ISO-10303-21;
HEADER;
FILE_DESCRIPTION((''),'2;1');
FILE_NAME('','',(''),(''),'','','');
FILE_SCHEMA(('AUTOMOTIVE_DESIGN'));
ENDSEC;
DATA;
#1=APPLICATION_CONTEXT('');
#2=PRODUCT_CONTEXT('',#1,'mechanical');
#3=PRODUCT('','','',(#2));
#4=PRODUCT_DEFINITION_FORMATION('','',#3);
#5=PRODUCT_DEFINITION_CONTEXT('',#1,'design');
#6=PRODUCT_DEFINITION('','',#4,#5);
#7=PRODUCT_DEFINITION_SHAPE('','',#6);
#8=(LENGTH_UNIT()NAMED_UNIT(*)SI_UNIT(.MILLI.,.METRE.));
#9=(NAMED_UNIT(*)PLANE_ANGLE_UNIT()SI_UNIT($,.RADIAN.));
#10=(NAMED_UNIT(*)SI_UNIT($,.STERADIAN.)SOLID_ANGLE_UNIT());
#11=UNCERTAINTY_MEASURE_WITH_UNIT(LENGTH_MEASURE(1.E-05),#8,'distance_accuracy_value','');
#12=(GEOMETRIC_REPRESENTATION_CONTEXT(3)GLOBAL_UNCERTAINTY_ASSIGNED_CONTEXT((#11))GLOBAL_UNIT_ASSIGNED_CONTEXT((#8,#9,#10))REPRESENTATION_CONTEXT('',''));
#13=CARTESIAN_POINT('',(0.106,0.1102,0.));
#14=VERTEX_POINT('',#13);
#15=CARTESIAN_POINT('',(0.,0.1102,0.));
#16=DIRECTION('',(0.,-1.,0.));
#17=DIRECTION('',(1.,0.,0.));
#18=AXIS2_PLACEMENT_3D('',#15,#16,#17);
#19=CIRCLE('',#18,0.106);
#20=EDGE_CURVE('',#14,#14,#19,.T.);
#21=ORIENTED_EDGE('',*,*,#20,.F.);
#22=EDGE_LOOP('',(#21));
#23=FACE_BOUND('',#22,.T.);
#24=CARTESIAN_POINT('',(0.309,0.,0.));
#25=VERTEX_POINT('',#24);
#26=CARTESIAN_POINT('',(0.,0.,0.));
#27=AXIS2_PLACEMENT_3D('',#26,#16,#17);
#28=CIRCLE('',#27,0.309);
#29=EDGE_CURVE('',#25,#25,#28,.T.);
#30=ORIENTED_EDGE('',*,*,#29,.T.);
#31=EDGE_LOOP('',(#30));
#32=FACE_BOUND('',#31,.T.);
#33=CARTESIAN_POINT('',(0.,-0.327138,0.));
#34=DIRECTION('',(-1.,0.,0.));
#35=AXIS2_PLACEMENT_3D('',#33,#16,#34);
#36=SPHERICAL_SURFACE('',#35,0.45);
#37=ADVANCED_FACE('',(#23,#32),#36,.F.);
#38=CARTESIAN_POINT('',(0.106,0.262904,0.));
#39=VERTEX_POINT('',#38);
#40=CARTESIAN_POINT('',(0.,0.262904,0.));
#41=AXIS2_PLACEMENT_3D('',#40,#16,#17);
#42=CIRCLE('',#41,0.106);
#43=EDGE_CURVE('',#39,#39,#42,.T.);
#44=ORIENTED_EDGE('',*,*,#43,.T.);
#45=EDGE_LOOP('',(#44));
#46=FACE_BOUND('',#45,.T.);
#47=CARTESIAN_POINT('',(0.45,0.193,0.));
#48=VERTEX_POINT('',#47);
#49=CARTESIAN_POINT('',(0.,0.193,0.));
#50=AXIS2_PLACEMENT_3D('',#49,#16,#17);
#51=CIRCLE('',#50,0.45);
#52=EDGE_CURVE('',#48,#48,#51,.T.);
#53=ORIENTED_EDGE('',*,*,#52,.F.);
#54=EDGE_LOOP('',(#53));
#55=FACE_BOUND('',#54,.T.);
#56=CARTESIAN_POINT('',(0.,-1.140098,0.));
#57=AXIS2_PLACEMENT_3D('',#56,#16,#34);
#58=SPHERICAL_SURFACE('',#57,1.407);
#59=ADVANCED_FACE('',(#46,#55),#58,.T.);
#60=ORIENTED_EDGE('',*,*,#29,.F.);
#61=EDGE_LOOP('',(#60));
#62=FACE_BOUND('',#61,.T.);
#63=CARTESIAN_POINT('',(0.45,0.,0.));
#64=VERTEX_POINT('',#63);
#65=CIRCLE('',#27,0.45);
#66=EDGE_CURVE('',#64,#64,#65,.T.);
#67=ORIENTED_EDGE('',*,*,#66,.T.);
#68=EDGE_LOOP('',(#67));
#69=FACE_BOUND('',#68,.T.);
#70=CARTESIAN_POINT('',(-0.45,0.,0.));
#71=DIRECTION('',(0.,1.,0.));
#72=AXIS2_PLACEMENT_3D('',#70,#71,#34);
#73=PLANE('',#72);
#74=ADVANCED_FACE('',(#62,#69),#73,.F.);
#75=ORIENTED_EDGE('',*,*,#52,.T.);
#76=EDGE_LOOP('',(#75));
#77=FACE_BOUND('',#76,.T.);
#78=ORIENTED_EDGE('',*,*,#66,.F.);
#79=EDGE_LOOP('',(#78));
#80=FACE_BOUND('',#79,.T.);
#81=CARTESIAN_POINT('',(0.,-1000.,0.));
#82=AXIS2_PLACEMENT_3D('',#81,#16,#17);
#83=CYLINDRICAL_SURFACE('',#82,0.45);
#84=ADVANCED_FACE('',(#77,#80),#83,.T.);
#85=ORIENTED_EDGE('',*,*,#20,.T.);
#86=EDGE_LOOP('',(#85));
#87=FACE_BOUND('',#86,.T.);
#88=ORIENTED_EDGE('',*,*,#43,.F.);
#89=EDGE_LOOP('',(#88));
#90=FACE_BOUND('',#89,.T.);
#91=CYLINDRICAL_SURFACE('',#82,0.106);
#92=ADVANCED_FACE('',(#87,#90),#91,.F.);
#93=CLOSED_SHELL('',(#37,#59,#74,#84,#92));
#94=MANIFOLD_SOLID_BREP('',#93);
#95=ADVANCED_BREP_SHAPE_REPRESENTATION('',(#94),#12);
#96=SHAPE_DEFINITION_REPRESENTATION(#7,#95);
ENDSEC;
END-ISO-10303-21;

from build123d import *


with BuildPart() as part:
    # Sketch1 → Revolve1 (revolve)
    with BuildSketch(Plane.XY):
        with BuildLine():
            Line((-0.106, 0.262903905), (-0.106, 0.110199813))
            ThreePointArc((-0.106, 0.110199813), (-0.214691056, 0.068346612), (-0.309, 0))
            Line((-0.309, 0), (-0.45, 0))
            Line((-0.45, 0), (-0.45, 0.193))
            ThreePointArc((-0.45, 0.193), (-0.280188578, 0.238722033), (-0.106, 0.262903905))
        make_face()
    revolve(axis=Axis((0, -1000, 0), (0, 1, 0)))


solid = part.part
